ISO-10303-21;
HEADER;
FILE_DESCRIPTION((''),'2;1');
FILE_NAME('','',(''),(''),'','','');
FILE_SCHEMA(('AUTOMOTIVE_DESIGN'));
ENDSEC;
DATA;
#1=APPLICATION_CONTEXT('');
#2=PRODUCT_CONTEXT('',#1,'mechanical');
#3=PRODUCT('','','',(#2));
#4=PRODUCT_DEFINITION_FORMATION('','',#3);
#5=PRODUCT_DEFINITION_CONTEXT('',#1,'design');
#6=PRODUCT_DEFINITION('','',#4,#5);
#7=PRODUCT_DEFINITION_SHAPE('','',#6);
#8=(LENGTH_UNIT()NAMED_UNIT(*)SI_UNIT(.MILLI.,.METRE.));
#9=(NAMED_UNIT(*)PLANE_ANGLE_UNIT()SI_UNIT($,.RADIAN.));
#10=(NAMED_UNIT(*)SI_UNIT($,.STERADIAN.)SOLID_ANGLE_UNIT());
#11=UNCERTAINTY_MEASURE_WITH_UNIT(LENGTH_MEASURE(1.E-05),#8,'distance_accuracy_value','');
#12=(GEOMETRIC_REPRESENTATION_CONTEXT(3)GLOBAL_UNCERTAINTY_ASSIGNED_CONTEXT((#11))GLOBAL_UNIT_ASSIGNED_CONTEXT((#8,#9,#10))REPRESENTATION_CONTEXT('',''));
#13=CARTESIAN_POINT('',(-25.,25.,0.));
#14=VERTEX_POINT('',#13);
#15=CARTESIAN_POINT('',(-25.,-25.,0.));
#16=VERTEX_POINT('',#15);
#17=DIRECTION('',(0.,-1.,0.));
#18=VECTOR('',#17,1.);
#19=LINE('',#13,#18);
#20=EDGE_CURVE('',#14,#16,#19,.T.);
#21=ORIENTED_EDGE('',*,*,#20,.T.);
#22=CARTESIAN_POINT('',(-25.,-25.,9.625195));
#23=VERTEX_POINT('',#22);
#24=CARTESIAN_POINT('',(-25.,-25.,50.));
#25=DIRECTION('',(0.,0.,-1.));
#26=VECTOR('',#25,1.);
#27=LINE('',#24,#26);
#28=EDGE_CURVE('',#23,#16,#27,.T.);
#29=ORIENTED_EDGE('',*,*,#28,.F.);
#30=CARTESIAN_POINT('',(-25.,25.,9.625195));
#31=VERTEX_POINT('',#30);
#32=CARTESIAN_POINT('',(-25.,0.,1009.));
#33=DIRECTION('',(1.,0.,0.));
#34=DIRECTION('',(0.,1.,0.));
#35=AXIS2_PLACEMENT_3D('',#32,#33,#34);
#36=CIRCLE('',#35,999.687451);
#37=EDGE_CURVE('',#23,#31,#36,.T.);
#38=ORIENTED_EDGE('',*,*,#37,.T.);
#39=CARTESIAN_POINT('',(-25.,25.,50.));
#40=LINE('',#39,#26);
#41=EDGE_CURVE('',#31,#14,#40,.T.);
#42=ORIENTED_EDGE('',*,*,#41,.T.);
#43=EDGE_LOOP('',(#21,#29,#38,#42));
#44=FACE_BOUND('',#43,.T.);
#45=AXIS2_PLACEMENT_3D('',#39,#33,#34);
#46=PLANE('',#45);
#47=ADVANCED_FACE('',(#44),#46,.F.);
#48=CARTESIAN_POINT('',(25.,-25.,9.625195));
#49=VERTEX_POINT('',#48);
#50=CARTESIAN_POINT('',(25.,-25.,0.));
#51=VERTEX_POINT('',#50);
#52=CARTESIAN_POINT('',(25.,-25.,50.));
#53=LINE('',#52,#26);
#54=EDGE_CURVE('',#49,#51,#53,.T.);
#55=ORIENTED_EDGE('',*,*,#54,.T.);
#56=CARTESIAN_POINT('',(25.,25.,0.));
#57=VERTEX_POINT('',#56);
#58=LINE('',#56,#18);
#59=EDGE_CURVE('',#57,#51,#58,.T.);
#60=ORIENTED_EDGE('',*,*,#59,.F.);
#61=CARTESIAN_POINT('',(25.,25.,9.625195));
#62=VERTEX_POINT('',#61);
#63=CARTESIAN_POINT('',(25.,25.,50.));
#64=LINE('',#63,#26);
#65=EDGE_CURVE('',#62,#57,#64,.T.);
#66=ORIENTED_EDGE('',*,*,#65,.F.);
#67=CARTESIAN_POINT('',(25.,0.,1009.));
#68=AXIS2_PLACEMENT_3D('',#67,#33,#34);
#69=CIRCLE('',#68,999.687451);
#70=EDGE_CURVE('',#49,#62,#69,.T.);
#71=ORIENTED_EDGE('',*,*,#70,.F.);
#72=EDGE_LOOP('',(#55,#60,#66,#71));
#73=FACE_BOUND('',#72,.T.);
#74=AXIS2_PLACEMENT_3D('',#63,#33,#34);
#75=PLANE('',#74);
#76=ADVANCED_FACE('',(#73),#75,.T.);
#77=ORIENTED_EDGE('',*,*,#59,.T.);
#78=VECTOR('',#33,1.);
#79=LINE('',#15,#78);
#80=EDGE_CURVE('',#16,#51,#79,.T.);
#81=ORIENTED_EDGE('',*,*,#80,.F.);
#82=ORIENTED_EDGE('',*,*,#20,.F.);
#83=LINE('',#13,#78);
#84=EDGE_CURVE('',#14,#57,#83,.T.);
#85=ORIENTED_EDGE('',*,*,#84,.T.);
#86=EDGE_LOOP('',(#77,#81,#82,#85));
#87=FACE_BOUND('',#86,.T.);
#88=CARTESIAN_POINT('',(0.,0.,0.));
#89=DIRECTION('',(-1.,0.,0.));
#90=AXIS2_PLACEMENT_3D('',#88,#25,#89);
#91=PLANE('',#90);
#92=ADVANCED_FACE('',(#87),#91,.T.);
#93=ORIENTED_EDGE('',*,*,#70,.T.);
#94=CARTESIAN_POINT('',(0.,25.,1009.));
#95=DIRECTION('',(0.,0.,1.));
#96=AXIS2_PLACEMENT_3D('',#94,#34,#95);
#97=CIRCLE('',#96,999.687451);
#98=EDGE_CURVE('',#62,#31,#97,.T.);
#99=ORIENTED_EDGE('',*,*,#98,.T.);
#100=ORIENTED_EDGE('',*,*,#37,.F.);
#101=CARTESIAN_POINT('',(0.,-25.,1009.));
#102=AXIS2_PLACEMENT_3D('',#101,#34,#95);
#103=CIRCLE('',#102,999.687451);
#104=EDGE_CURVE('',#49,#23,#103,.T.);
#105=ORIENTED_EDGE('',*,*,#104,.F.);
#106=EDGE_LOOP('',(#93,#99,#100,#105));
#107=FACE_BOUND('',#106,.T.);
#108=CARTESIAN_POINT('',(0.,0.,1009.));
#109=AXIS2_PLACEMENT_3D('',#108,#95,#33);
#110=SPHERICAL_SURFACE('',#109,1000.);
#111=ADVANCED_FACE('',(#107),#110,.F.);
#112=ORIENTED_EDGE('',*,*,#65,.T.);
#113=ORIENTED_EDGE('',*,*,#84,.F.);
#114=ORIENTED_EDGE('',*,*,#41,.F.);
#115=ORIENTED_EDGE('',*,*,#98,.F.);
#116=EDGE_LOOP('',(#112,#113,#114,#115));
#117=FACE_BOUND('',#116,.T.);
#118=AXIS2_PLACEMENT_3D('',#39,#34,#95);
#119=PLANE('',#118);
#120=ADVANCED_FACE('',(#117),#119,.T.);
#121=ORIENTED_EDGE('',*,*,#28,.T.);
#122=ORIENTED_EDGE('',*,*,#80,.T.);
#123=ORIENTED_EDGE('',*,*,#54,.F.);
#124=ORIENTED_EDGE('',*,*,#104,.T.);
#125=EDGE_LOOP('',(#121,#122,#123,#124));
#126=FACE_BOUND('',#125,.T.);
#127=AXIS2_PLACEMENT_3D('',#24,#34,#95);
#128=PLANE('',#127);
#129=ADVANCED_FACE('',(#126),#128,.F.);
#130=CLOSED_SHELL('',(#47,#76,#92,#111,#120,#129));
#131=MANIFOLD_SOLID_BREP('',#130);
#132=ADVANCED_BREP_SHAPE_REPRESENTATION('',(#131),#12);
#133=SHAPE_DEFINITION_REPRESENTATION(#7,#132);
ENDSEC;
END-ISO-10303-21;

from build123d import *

# Parameters (mm, degrees)
SKETCH_1_W      = 50
SKETCH_1_H      = 50
EXTRUDE_1_DEPTH = 50


with BuildPart() as part:
    # 草图1 → 凸台-拉伸1 (new body)
    with BuildSketch(Plane.XY):
        Rectangle(SKETCH_1_W, SKETCH_1_H)
    extrude(amount=EXTRUDE_1_DEPTH)

    # 草图2 → 切除-旋转2 (revolve, cut)
    with BuildSketch(Plane(origin=(0, 0, 0), x_dir=(1, 0, 0), z_dir=(0, 1, 0))):
        with BuildLine():
            Line((974.845461813, -786.118135366), (0, -786.118135366))
            Line((0, -786.118135366), (0, -9))
            ThreePointArc((0, -9), (623.345063094, -227.053114133), (974.845461813, -786.118135366))
        make_face()
    revolve(axis=Axis((0, 0, 786.118135366), (0, 0, -1)), mode=Mode.SUBTRACT)


solid = part.part
